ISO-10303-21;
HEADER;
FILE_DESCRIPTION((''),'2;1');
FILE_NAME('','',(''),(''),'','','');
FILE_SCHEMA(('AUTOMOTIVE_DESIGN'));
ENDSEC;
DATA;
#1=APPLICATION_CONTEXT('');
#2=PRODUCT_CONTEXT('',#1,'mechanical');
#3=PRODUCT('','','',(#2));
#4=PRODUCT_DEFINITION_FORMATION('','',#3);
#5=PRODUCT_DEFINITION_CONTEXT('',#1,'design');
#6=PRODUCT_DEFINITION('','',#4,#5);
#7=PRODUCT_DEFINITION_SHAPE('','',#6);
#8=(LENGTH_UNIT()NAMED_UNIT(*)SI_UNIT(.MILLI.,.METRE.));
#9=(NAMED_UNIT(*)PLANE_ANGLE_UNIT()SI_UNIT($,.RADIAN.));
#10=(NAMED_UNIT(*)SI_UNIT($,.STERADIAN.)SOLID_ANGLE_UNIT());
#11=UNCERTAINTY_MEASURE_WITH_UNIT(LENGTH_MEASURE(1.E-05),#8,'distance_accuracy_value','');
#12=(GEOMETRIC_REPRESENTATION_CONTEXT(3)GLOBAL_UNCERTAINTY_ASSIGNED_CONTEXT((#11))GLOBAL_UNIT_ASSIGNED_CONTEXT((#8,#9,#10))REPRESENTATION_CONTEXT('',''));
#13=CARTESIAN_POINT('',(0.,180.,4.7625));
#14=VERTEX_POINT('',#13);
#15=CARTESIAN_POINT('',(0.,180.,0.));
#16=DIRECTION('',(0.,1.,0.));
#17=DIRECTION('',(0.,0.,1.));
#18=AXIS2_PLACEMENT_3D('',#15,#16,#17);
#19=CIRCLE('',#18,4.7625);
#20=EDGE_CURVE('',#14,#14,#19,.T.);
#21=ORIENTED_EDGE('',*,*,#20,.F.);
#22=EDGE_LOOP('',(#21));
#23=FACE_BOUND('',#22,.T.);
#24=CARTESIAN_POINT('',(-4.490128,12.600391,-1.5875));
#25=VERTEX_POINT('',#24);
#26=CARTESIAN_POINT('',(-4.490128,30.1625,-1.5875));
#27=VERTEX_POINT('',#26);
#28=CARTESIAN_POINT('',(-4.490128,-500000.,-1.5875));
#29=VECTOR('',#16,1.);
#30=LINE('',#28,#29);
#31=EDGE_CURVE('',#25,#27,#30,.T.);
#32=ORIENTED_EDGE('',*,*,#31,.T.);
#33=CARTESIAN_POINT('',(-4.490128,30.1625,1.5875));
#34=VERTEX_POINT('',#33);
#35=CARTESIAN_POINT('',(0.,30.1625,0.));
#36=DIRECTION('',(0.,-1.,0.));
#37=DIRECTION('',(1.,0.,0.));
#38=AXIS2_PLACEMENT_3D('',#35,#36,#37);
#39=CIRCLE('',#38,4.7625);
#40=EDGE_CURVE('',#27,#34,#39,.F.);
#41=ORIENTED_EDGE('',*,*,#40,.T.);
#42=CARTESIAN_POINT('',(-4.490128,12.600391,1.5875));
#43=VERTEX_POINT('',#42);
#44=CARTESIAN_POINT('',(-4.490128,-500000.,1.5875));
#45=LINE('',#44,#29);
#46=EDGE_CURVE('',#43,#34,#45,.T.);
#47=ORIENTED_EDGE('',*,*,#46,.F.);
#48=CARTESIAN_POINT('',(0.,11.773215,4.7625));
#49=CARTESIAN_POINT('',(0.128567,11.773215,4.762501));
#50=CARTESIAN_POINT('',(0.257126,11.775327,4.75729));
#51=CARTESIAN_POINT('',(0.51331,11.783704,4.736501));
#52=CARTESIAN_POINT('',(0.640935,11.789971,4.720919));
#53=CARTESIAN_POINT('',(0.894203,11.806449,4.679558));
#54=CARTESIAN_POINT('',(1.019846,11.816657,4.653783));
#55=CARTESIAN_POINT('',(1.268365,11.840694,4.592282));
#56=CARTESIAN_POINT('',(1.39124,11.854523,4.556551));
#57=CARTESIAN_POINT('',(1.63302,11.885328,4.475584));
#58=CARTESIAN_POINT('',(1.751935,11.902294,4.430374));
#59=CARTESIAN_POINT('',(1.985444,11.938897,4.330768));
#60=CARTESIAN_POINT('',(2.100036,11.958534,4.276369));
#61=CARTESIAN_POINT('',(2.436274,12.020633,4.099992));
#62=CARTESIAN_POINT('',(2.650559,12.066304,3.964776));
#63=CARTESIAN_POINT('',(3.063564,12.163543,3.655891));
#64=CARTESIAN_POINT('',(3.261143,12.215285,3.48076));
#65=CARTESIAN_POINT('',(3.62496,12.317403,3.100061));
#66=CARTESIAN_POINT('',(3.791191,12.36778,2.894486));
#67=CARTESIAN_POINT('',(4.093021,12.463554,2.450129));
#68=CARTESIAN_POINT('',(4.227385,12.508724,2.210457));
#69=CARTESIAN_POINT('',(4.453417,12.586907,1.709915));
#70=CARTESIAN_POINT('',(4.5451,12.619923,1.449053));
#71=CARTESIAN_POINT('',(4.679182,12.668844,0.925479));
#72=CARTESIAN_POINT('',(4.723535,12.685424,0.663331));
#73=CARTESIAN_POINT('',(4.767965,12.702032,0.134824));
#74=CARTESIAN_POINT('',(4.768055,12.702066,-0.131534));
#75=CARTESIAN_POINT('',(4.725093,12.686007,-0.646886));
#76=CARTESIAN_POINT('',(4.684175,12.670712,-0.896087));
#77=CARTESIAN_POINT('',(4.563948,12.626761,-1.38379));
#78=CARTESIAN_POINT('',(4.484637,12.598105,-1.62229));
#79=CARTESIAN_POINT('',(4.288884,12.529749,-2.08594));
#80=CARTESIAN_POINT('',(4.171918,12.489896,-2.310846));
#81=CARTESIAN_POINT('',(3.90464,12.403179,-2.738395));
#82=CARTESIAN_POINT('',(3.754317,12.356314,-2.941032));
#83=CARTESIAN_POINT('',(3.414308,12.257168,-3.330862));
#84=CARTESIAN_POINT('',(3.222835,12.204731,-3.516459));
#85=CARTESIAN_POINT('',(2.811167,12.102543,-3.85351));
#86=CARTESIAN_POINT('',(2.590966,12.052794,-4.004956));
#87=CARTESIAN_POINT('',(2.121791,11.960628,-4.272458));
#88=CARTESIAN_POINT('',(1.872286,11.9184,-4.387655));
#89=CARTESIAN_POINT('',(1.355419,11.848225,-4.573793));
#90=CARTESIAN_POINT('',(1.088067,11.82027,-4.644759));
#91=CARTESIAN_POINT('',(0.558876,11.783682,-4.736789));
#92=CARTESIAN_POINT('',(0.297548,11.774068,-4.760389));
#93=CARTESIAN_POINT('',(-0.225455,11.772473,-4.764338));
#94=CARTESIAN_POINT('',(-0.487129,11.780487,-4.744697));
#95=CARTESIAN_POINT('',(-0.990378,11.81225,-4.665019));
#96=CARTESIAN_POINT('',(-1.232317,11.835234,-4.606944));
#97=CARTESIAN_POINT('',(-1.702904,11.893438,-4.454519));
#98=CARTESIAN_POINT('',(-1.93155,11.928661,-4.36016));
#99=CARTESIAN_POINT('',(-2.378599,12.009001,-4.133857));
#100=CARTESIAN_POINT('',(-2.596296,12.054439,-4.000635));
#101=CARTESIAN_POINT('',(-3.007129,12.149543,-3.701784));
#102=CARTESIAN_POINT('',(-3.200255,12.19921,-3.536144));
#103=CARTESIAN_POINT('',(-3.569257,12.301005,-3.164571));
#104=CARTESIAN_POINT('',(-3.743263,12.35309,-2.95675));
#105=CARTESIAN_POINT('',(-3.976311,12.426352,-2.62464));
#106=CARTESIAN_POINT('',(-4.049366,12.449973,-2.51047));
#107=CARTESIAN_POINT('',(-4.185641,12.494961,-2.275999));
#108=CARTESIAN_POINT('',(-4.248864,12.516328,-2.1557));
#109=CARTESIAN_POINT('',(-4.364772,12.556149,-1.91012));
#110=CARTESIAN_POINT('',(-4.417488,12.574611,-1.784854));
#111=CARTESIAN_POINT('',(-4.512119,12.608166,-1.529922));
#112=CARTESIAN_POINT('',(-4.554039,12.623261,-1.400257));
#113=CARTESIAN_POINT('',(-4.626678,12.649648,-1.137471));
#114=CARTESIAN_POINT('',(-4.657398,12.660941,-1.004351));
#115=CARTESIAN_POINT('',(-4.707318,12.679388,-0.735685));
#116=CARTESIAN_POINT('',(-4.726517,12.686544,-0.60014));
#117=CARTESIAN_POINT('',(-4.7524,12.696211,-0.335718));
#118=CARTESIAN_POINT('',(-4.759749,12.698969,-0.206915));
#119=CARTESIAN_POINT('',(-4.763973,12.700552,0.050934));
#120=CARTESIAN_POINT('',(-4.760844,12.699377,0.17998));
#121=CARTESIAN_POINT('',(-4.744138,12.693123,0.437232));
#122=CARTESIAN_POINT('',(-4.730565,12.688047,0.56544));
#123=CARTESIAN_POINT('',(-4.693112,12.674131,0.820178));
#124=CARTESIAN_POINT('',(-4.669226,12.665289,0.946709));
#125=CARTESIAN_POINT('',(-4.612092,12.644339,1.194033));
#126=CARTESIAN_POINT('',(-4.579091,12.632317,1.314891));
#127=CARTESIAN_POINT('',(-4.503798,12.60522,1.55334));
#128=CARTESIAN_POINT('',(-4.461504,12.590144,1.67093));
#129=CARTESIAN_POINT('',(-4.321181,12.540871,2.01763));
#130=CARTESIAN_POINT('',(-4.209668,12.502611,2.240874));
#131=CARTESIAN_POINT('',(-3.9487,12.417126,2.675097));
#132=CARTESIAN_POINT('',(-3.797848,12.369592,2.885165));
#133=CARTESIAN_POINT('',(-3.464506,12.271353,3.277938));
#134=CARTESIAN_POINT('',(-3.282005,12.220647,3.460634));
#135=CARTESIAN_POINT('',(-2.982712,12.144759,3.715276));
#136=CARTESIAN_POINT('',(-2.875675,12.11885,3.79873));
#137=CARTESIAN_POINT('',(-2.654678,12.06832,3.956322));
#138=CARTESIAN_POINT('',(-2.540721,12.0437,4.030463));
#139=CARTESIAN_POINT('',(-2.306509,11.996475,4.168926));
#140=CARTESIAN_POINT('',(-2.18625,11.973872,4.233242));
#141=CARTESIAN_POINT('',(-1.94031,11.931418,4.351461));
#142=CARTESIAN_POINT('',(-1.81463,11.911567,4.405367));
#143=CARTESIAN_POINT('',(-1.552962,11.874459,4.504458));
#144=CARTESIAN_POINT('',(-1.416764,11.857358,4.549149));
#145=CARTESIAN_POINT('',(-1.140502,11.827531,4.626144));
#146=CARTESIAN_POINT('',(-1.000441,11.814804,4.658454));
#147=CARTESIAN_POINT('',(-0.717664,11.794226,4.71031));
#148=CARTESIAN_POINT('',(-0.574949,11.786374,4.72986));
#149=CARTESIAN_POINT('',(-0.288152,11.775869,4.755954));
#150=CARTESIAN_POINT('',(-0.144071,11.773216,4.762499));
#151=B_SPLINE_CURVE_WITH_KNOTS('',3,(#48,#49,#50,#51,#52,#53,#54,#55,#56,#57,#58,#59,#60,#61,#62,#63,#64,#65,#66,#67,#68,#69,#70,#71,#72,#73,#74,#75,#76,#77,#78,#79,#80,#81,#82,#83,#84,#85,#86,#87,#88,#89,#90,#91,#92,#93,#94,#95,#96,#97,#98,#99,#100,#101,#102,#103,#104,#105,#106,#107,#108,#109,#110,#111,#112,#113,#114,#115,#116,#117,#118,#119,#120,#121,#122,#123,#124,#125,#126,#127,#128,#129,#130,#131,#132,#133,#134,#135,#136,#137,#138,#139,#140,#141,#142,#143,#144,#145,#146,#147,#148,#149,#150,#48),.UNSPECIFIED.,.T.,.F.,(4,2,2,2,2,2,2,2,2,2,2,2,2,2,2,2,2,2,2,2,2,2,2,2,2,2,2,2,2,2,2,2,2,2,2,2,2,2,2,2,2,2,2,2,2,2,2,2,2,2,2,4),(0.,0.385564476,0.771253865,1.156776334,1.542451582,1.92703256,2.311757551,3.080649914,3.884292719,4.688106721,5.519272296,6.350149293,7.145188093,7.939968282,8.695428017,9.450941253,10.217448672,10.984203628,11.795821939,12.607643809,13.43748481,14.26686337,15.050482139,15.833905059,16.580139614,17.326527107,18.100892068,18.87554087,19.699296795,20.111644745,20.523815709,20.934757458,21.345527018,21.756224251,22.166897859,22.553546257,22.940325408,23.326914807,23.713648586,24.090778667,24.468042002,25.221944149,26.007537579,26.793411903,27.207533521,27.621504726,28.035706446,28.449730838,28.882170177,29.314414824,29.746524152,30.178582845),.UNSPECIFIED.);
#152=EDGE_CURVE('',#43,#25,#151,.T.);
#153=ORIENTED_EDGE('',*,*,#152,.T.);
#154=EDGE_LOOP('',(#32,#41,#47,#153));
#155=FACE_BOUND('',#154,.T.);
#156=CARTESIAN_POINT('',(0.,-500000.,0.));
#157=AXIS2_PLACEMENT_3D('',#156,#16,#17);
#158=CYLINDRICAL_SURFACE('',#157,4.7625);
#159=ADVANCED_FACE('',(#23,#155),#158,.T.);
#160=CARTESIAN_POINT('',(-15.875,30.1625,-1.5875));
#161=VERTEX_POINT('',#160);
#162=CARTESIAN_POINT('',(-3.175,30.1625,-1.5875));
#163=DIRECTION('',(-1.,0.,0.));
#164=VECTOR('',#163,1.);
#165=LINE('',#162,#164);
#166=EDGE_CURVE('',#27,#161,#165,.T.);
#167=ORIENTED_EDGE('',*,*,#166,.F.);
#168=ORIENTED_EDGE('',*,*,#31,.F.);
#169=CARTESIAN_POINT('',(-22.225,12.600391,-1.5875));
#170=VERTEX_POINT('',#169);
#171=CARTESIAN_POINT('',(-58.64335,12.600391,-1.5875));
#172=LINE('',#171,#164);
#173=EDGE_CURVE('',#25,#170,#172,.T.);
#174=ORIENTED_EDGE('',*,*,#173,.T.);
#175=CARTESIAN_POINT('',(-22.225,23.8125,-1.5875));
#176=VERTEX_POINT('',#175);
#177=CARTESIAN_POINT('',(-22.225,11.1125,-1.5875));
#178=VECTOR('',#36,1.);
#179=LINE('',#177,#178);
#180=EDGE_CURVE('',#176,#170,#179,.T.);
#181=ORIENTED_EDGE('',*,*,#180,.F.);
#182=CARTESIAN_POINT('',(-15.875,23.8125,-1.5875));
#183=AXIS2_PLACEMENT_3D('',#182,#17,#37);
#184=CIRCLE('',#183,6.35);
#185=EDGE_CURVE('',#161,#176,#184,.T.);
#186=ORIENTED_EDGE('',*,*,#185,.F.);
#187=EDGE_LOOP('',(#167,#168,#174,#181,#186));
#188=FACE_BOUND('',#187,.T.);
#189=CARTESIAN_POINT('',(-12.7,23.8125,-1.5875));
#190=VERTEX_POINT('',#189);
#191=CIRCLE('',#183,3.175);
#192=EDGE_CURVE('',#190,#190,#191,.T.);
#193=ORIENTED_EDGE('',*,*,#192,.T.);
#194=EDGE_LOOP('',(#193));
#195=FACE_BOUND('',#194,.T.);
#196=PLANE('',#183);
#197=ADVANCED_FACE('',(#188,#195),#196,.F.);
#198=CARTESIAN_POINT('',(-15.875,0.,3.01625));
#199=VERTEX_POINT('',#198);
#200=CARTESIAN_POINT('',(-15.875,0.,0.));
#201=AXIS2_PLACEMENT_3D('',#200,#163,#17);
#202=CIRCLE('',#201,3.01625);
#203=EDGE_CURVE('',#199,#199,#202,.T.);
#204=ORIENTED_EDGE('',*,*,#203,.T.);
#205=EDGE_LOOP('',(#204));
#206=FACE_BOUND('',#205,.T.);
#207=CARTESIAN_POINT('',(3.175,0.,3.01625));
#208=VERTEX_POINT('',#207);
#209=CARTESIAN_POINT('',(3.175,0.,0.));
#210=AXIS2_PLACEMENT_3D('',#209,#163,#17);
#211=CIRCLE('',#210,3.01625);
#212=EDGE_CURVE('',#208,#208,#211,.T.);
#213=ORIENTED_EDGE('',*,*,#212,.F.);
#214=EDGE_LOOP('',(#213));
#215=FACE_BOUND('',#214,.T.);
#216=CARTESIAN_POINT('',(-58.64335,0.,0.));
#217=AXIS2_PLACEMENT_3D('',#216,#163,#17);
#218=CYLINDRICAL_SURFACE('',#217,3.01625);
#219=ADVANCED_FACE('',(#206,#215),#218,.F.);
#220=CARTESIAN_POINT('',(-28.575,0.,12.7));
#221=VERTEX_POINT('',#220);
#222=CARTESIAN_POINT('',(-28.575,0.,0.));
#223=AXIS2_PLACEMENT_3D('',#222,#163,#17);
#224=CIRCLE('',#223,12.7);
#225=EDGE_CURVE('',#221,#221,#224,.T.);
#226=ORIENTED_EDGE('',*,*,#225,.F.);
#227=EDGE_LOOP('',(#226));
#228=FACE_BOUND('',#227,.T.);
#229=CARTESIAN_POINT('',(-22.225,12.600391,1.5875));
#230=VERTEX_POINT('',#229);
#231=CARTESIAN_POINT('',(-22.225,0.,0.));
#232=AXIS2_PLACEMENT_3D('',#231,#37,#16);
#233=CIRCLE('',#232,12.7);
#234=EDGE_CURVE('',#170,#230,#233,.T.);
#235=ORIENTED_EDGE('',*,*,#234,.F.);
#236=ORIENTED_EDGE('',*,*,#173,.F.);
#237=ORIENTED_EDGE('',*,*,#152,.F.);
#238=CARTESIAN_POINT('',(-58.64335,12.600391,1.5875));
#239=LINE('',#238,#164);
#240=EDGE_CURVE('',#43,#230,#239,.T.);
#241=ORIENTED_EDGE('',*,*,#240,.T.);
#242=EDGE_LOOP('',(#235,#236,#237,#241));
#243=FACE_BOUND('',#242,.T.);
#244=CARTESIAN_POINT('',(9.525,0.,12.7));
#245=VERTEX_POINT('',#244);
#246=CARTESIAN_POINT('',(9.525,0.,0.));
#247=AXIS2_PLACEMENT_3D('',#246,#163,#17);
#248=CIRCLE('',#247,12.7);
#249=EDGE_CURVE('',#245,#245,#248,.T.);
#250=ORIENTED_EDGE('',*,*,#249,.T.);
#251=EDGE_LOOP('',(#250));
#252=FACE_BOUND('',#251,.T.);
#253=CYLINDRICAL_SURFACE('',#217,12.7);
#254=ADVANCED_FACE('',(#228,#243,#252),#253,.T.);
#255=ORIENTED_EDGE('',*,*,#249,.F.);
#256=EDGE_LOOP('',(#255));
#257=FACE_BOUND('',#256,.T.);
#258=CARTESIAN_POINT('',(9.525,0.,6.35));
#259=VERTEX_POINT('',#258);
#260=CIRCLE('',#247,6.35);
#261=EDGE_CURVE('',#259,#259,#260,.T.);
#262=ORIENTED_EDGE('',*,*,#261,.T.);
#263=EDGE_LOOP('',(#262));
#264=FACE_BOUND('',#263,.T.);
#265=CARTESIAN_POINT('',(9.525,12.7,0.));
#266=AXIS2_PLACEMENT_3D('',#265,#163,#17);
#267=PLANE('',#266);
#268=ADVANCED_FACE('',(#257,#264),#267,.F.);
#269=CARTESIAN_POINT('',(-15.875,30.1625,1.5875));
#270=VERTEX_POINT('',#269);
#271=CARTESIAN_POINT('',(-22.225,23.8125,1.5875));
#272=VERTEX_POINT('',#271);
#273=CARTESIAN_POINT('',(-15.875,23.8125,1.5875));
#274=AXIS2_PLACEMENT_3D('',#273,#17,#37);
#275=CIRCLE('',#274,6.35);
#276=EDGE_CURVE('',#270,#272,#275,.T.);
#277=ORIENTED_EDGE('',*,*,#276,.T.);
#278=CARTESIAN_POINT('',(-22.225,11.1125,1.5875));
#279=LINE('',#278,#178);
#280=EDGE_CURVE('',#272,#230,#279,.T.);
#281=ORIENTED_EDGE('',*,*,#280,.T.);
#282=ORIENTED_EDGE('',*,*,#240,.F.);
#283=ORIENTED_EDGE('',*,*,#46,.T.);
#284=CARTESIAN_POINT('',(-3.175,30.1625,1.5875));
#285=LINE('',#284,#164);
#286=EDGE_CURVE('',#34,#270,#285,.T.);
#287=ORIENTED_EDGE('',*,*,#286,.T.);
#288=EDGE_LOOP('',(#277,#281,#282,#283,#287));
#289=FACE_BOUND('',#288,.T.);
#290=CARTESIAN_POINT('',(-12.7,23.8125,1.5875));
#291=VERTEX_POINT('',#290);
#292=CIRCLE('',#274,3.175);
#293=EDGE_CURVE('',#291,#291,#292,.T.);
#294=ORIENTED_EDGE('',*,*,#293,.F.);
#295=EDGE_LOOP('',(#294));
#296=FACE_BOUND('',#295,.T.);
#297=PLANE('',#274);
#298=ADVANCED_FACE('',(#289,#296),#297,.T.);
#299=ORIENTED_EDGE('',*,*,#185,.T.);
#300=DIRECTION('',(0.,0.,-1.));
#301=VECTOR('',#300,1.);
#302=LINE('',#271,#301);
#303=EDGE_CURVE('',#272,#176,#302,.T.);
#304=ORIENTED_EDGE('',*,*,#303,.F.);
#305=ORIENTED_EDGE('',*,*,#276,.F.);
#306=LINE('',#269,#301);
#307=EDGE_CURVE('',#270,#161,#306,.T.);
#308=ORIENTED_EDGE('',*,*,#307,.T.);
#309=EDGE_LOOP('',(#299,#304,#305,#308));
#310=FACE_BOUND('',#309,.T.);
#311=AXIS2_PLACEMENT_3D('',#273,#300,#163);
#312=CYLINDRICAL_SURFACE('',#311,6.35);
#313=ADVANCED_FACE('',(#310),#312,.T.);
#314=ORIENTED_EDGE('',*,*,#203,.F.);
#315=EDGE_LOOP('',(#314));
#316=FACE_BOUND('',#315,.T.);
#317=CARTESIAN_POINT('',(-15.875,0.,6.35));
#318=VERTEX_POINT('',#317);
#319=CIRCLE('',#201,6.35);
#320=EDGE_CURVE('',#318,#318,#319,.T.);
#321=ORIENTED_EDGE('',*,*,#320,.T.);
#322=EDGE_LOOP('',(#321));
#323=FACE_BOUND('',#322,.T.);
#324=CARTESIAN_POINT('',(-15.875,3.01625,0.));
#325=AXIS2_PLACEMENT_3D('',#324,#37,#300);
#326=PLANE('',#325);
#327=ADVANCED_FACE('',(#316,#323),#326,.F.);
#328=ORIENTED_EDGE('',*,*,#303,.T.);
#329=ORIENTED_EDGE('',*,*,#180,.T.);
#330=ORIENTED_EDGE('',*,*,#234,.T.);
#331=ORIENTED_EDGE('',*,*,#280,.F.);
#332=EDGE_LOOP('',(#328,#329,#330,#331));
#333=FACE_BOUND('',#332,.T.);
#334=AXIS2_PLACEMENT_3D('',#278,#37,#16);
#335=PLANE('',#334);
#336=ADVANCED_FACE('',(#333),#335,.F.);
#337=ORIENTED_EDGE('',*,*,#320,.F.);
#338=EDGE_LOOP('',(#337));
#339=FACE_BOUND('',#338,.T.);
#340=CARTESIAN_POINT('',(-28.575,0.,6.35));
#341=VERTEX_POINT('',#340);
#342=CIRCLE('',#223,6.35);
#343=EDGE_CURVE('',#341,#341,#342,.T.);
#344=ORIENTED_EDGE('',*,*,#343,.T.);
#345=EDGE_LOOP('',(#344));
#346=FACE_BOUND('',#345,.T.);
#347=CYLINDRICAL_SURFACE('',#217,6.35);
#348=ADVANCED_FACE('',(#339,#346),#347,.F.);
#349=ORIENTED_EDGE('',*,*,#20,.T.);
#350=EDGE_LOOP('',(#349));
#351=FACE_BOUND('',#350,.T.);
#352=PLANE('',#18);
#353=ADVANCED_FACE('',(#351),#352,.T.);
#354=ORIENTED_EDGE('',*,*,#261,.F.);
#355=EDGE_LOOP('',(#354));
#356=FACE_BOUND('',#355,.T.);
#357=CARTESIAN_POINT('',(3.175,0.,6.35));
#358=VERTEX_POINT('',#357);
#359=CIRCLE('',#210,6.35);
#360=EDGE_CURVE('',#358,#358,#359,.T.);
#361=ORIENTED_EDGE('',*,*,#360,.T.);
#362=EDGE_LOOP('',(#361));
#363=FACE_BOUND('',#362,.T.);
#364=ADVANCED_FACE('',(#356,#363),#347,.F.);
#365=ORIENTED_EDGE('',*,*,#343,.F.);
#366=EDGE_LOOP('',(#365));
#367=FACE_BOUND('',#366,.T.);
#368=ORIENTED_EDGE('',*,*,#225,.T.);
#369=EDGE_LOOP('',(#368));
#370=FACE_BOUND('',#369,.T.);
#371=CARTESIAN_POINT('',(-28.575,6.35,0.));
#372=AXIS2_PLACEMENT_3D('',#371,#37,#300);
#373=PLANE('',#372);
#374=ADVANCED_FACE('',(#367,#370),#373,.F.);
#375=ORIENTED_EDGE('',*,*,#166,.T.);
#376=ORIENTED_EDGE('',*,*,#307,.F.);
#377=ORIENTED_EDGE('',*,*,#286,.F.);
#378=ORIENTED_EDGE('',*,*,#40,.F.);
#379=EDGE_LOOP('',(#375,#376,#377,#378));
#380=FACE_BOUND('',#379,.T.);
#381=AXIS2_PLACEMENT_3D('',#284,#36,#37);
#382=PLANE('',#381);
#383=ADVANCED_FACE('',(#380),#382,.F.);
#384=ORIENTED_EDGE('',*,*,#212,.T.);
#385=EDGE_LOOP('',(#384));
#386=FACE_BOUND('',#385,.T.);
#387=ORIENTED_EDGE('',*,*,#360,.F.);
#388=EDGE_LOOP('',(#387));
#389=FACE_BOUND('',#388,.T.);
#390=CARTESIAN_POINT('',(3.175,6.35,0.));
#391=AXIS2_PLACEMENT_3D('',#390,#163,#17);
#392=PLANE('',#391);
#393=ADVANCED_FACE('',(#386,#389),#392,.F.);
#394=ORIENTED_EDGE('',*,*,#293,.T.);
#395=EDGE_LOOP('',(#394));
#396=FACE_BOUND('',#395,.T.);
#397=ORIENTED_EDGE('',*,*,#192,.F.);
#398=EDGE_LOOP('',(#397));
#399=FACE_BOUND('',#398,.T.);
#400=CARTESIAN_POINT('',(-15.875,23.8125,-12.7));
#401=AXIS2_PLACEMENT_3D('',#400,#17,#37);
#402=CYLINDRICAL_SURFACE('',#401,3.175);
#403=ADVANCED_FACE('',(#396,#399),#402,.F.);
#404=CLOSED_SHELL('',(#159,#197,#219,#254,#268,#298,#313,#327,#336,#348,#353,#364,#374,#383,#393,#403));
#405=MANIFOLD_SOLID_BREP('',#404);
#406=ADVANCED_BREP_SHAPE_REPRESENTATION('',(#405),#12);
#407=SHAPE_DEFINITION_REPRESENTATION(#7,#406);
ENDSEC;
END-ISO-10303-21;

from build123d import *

# Parameters (mm, degrees)
SKETCH3_R                       = 4.7625
BOSS_EXTRUDE1_DEPTH             = 150
BOSS_EXTRUDE1_DIRECTION_2_REACH = 54.926
BOSS_EXTRUDE2_DEPTH             = 1.5875
SKETCH5_R                       = 3.175
CUT_EXTRUDE1_DEPTH              = 183.813192428


with BuildPart() as part:
    # Sketch1 → Revolve1 (revolve)
    with BuildSketch(Plane.XY, mode=Mode.PRIVATE) as revolve1_sk:
        Polygon((-28.575, 12.7), (9.525, 12.7), (9.525, 6.35), (3.175, 6.35), (3.175, 3.01625), (-15.875, 3.01625), (-15.875, 6.35), (-28.575, 6.35), align=None)
    revolve(revolve1_sk.sketch.rotate(Axis((-58.643350072, 0, 0), (1, 0, 0)), 90), axis=Axis((-58.643350072, 0, 0), (1, 0, 0)))

    # Sketch3 → Boss-Extrude1 (add)
    with BuildSketch(Plane(origin=(0, 30, 0), x_dir=(-1, 0, 0), z_dir=(0, 1, 0))):
        with Locations(Location((0, 0, 0), (0, 0, 90))):
            Circle(SKETCH3_R)
    extrude(amount=BOSS_EXTRUDE1_DEPTH)

    # Sketch3 → Boss-Extrude1 direction 2 (add, up to next)
    with BuildSketch(Plane(origin=(0, 30, 0), x_dir=(-1, 0, 0), z_dir=(0, 1, 0)), mode=Mode.PRIVATE) as boss_extrude1_direction_2_sk1:
        with Locations(Location((0, 0, 0), (0, 0, 90))):
            Circle(SKETCH3_R)
    boss_extrude1_direction_2_tool1 = extrude(boss_extrude1_direction_2_sk1.sketch, amount=-BOSS_EXTRUDE1_DIRECTION_2_REACH, mode=Mode.PRIVATE) - part.part
    add(boss_extrude1_direction_2_tool1.solids().sort_by_distance((0, 30, 0))[0])

    # Sketch4 → Boss-Extrude2 (add, symmetric)
    with BuildSketch(Plane.XY):
        with BuildLine():
            Line((-3.175, 11.1125), (-22.225, 11.1125))
            Line((-22.225, 11.1125), (-22.225, 23.8125))
            ThreePointArc((-22.225, 23.8125), (-20.365128061, 28.302628061), (-15.875, 30.1625))
            Line((-15.875, 30.1625), (-3.175, 30.1625))
            Line((-3.175, 30.1625), (-3.175, 11.1125))
        make_face()
    extrude(amount=BOSS_EXTRUDE2_DEPTH, both=True)

    # Sketch5 → Cut-Extrude1 (cut, through all)
    with BuildSketch(Plane.XY.offset(1.5875)):
        with Locations((-15.875, 23.8125)):
            Circle(SKETCH5_R)
    extrude(amount=-CUT_EXTRUDE1_DEPTH, mode=Mode.SUBTRACT)


solid = part.part
